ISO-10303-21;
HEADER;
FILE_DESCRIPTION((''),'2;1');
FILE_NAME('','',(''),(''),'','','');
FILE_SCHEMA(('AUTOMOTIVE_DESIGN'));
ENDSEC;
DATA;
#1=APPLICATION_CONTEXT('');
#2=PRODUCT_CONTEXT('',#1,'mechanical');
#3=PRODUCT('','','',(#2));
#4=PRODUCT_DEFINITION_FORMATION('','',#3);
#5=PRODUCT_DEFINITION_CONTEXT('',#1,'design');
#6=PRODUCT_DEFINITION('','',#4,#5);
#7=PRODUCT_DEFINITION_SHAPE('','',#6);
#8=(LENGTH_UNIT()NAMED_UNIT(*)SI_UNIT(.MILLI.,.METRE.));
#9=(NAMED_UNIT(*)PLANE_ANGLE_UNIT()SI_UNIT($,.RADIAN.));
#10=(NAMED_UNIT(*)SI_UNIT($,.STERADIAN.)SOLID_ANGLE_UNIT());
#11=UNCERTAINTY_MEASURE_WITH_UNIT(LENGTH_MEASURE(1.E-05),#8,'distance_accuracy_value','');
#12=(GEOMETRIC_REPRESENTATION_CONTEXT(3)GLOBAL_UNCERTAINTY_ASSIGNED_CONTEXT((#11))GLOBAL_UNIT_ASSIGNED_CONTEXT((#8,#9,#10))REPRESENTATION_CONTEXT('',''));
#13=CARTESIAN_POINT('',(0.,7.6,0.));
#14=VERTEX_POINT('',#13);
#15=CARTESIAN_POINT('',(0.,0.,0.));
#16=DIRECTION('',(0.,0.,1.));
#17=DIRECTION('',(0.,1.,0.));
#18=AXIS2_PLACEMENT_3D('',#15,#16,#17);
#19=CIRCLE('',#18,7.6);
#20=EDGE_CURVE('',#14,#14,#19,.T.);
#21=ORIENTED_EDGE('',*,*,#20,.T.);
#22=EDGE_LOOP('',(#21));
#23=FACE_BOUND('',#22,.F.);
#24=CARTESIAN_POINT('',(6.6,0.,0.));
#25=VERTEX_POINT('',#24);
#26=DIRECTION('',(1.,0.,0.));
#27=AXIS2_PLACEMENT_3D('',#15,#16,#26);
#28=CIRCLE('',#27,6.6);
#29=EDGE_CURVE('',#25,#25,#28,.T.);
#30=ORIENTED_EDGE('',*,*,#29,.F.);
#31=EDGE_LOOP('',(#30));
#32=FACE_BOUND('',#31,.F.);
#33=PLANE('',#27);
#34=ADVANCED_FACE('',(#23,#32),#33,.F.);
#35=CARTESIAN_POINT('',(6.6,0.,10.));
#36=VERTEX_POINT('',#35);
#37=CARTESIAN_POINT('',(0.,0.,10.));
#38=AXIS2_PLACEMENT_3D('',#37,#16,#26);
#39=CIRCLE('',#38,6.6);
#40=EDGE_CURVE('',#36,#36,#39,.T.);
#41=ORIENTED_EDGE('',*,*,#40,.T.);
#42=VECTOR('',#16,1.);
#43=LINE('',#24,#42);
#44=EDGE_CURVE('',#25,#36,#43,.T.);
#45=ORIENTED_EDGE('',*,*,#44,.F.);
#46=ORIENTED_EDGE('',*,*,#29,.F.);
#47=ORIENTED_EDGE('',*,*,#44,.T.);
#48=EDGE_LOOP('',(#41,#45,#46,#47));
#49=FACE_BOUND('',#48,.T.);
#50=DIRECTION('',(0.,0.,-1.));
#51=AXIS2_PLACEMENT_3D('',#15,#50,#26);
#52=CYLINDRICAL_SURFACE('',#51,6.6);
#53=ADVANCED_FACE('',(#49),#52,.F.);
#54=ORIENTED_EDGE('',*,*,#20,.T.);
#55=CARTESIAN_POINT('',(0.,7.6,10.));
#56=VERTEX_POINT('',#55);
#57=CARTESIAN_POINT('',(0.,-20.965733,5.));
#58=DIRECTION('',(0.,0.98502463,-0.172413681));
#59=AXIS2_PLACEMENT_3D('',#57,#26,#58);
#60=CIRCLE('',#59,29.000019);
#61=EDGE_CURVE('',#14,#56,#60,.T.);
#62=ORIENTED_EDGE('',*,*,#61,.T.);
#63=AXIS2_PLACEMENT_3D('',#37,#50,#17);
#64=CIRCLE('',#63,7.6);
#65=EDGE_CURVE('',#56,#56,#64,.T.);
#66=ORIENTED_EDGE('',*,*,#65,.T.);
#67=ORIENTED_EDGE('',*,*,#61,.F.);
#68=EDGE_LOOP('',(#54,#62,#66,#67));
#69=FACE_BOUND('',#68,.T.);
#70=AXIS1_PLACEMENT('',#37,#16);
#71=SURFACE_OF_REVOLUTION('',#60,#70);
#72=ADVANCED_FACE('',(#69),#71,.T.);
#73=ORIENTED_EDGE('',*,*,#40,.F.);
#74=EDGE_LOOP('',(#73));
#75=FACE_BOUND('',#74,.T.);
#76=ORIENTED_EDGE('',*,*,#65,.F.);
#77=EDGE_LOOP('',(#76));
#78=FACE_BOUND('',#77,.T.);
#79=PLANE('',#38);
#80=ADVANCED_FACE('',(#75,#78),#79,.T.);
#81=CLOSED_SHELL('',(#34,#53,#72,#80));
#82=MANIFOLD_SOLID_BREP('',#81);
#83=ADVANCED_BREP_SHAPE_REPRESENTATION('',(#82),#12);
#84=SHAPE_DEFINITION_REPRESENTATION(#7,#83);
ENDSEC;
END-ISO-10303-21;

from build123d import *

# Parameters (mm, degrees)
F0_R     = 7.6
F0_R_2   = 6.6
F1_DEPTH = 10


with BuildPart() as f1:
    # F0 (on Top) → F1 (new body)
    with BuildSketch(Plane.XY):
        Circle(F0_R)
        Circle(F0_R_2, mode=Mode.SUBTRACT)
    extrude(amount=F1_DEPTH)

    # F2 (on Right) → F3 (revolve)
    with BuildSketch(Plane.YZ):
        with BuildLine():
            Line((7.6, 10), (7.6, 0))
            ThreePointArc((7.6, 0), (8.034286, 5), (7.6, 10))
        make_face()
    revolve(axis=Axis((0, 0, 10), (0, 0, 1)))


solid = f1.part
